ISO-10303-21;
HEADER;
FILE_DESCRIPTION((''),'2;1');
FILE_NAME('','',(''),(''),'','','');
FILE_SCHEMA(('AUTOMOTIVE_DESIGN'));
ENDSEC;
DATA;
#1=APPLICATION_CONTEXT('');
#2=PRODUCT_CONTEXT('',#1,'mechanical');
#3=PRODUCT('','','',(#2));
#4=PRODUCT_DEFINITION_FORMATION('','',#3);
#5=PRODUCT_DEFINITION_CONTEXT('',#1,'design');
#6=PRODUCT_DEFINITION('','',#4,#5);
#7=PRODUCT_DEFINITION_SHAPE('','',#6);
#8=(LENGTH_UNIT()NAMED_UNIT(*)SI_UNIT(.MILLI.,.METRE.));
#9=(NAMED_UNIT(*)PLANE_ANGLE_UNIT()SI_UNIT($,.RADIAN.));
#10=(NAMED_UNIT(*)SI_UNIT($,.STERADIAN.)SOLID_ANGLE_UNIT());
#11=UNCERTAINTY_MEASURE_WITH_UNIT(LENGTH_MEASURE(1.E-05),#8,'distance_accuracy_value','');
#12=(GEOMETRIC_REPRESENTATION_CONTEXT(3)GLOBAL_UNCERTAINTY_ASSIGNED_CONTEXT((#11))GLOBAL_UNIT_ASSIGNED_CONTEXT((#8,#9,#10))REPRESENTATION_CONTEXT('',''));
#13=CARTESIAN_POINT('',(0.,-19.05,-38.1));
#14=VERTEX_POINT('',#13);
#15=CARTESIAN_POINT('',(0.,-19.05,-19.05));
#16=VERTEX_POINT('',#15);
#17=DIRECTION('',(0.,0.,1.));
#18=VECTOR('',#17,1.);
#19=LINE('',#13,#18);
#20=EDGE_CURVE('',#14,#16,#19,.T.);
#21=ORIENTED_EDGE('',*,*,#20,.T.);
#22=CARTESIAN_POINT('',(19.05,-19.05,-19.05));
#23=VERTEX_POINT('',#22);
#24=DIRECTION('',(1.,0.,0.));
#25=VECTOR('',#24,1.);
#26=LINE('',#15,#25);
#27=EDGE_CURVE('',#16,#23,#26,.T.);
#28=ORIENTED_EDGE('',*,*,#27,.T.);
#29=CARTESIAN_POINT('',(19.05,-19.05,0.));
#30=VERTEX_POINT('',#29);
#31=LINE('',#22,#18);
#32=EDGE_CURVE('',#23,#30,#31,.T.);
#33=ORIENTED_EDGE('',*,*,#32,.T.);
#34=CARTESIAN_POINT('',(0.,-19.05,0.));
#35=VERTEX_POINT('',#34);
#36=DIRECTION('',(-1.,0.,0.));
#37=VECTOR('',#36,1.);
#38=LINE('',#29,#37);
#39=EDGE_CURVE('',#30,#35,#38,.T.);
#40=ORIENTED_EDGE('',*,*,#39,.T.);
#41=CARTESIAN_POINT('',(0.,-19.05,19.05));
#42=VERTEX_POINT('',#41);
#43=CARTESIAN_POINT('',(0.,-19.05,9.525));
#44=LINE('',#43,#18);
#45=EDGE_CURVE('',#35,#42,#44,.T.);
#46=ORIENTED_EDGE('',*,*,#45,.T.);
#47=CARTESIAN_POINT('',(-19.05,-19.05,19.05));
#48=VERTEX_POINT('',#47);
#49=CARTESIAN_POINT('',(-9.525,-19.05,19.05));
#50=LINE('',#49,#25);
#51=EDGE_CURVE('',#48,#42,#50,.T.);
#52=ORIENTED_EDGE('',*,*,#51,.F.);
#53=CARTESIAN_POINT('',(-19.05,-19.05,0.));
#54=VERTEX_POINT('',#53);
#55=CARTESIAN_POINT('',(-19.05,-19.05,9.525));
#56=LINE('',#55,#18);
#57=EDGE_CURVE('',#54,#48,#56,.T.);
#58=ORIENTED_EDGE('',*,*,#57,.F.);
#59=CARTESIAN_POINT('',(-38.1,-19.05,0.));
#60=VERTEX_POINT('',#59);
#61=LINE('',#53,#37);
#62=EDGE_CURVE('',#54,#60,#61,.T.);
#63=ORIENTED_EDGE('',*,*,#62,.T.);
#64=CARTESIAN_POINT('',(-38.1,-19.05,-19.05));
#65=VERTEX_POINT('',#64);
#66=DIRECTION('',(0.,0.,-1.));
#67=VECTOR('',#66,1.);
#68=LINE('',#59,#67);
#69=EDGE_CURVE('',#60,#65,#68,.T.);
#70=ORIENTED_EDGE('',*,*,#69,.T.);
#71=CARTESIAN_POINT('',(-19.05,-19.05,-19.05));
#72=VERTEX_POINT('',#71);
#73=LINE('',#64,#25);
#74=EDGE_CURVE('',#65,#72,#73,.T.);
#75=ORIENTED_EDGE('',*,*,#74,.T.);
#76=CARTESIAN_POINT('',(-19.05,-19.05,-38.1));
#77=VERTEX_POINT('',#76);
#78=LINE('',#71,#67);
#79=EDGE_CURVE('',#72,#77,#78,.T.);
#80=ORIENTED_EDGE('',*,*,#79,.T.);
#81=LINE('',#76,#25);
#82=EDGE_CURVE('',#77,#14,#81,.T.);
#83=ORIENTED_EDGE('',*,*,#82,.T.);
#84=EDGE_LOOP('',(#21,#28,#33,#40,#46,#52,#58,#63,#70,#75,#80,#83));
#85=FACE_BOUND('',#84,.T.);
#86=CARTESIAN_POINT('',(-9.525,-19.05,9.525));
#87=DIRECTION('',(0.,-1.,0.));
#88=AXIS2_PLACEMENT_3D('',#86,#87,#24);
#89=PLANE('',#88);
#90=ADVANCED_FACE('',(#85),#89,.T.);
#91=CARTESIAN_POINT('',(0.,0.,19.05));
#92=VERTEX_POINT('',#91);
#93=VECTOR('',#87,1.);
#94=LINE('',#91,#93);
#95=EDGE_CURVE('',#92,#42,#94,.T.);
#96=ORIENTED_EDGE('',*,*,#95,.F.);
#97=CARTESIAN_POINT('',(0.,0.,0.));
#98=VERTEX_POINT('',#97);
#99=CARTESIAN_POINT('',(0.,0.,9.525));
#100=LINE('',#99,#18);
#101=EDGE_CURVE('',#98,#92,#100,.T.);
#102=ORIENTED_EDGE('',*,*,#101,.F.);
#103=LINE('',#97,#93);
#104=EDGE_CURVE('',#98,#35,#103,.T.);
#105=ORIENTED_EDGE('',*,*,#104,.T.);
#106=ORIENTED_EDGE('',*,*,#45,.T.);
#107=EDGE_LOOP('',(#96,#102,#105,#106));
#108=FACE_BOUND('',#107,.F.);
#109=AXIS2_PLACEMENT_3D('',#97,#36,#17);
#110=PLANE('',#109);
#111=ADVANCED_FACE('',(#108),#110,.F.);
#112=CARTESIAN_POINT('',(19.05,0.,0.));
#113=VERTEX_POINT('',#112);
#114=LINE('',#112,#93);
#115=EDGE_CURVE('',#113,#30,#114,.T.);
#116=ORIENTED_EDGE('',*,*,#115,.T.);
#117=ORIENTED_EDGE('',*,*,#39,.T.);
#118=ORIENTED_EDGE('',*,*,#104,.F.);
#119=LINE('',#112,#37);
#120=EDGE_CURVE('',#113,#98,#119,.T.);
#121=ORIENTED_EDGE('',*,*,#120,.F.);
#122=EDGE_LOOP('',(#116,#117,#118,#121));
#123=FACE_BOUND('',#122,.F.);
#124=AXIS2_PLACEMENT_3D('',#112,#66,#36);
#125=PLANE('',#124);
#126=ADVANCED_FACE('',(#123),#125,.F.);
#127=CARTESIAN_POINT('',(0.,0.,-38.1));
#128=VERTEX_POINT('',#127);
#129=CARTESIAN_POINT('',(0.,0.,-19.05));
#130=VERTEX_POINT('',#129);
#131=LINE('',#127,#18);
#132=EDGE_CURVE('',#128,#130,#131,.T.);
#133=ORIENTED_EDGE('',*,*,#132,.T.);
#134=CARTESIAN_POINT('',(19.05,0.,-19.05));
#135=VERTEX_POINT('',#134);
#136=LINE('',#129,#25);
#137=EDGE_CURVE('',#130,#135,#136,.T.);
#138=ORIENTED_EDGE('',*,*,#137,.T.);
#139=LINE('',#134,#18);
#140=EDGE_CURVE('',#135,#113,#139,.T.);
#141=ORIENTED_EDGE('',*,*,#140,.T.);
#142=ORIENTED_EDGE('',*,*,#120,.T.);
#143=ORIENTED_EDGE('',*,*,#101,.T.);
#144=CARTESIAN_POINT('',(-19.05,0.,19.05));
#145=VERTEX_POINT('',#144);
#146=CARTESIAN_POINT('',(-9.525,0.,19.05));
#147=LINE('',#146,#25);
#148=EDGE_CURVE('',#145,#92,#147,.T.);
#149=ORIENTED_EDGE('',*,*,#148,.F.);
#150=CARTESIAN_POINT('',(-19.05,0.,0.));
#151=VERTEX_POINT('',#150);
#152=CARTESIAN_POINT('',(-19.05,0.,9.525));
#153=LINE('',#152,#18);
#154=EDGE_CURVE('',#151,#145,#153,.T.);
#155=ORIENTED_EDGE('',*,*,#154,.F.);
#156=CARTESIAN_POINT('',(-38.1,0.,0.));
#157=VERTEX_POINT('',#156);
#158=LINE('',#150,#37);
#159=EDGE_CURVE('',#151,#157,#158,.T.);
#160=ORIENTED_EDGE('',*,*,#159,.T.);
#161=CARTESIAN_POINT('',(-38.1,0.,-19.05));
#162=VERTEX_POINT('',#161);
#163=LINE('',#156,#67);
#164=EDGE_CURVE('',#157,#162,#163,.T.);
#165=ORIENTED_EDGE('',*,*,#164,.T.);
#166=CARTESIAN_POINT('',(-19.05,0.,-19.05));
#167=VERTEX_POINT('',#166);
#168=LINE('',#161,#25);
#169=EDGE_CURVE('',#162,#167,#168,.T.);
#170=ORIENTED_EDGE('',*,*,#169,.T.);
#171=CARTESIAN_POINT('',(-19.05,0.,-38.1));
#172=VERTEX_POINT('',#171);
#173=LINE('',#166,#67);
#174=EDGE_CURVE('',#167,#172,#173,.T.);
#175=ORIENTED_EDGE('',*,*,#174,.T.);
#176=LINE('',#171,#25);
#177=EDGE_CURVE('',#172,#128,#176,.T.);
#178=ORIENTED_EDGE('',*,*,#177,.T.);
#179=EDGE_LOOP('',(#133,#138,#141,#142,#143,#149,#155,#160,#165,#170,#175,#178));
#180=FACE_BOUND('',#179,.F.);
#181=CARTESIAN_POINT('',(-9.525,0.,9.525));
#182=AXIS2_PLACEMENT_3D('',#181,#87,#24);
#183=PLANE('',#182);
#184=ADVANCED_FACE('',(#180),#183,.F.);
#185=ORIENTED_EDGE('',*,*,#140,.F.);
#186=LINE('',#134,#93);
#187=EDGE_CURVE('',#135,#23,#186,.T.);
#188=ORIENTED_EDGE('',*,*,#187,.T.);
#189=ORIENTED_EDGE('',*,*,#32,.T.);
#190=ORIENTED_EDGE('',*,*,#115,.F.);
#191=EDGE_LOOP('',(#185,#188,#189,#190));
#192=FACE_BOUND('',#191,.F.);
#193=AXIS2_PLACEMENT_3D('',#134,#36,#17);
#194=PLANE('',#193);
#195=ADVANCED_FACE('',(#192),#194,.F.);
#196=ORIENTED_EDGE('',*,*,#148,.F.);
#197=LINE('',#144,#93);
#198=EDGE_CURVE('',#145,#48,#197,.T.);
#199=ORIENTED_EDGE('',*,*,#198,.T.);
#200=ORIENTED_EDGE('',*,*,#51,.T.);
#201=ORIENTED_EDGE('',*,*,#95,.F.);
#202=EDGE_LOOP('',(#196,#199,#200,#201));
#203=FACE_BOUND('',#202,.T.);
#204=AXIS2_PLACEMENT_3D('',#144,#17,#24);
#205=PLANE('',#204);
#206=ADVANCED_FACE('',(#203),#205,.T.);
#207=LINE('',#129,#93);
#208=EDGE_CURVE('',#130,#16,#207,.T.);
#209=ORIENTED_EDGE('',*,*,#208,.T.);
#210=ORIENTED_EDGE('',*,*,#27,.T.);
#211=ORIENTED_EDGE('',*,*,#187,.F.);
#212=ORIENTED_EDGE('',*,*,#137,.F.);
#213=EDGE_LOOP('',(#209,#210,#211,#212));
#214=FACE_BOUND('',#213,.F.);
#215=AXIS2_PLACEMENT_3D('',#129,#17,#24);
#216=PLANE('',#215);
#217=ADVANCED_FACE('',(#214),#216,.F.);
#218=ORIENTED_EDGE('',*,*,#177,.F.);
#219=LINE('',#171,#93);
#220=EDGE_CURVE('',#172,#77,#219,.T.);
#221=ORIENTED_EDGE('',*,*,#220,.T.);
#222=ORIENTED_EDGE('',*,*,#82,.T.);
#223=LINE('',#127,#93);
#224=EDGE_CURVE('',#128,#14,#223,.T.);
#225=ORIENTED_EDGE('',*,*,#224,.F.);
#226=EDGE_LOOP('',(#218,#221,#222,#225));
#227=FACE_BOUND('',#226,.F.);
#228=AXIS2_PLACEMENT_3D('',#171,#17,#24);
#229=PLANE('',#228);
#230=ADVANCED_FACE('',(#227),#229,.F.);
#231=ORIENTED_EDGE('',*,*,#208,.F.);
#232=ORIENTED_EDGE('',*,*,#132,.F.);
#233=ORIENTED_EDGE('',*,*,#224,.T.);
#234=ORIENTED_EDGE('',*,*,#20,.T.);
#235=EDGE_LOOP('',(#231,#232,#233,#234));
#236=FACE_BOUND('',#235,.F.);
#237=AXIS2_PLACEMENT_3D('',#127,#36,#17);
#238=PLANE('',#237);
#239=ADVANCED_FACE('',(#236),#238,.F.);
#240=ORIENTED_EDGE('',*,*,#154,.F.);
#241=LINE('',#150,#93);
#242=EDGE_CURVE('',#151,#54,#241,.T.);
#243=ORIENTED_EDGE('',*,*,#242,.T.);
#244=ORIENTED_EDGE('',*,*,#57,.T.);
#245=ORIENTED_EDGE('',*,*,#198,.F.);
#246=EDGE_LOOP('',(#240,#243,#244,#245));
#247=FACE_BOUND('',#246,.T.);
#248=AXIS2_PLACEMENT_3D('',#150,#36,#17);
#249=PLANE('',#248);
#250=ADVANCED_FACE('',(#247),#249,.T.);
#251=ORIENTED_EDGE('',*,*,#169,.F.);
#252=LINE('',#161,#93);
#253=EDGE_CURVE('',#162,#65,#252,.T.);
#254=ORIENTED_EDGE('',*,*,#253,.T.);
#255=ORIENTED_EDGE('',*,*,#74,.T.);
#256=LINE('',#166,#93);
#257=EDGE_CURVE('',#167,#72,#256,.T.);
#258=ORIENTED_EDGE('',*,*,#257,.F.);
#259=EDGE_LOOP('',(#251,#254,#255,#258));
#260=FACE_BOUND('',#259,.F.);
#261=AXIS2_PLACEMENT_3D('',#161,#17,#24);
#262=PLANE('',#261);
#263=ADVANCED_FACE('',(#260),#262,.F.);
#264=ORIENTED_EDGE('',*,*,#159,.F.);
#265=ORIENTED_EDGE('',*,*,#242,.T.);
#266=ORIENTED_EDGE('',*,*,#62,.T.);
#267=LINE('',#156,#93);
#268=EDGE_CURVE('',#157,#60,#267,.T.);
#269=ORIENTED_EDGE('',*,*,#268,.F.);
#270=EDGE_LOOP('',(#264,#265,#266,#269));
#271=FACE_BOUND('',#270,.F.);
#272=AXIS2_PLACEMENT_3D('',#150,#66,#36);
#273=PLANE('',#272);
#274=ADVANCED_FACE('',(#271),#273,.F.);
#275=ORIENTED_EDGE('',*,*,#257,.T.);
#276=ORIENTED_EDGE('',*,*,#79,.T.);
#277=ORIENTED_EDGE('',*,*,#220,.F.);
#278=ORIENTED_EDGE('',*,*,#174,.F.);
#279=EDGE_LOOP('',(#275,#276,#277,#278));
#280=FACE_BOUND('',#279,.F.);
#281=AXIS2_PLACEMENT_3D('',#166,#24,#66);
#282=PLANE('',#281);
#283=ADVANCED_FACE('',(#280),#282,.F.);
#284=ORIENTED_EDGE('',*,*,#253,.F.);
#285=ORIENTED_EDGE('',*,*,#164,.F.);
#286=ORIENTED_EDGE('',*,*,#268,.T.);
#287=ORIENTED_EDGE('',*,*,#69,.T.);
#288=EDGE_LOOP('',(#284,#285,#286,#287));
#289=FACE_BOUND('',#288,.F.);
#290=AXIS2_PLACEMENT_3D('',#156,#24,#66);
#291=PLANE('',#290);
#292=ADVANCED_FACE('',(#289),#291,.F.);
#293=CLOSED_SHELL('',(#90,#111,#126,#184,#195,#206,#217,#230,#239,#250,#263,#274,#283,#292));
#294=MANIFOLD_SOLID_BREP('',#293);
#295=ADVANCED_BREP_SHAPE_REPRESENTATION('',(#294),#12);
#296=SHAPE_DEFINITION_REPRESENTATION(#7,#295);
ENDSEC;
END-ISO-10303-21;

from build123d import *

# Parameters (mm, degrees)
F0_W     = 19.05
F0_H     = 19.05
F1_DEPTH = 19.05


with BuildPart() as f1:
    # F0 (on Front) → F1 (new body)
    with BuildSketch(Plane.XZ):
        with Locations((-9.525, 9.525)):
            Rectangle(F0_W, F0_H)
        Polygon((0, 0), (-19.05, 0), (-38.1, 0), (-38.1, -19.05), (-19.05, -19.05), (-19.05, -38.1), (0, -38.1), (0, -19.05), (19.05, -19.05), (19.05, 0), align=None)
    extrude(amount=F1_DEPTH)


solid = f1.part
